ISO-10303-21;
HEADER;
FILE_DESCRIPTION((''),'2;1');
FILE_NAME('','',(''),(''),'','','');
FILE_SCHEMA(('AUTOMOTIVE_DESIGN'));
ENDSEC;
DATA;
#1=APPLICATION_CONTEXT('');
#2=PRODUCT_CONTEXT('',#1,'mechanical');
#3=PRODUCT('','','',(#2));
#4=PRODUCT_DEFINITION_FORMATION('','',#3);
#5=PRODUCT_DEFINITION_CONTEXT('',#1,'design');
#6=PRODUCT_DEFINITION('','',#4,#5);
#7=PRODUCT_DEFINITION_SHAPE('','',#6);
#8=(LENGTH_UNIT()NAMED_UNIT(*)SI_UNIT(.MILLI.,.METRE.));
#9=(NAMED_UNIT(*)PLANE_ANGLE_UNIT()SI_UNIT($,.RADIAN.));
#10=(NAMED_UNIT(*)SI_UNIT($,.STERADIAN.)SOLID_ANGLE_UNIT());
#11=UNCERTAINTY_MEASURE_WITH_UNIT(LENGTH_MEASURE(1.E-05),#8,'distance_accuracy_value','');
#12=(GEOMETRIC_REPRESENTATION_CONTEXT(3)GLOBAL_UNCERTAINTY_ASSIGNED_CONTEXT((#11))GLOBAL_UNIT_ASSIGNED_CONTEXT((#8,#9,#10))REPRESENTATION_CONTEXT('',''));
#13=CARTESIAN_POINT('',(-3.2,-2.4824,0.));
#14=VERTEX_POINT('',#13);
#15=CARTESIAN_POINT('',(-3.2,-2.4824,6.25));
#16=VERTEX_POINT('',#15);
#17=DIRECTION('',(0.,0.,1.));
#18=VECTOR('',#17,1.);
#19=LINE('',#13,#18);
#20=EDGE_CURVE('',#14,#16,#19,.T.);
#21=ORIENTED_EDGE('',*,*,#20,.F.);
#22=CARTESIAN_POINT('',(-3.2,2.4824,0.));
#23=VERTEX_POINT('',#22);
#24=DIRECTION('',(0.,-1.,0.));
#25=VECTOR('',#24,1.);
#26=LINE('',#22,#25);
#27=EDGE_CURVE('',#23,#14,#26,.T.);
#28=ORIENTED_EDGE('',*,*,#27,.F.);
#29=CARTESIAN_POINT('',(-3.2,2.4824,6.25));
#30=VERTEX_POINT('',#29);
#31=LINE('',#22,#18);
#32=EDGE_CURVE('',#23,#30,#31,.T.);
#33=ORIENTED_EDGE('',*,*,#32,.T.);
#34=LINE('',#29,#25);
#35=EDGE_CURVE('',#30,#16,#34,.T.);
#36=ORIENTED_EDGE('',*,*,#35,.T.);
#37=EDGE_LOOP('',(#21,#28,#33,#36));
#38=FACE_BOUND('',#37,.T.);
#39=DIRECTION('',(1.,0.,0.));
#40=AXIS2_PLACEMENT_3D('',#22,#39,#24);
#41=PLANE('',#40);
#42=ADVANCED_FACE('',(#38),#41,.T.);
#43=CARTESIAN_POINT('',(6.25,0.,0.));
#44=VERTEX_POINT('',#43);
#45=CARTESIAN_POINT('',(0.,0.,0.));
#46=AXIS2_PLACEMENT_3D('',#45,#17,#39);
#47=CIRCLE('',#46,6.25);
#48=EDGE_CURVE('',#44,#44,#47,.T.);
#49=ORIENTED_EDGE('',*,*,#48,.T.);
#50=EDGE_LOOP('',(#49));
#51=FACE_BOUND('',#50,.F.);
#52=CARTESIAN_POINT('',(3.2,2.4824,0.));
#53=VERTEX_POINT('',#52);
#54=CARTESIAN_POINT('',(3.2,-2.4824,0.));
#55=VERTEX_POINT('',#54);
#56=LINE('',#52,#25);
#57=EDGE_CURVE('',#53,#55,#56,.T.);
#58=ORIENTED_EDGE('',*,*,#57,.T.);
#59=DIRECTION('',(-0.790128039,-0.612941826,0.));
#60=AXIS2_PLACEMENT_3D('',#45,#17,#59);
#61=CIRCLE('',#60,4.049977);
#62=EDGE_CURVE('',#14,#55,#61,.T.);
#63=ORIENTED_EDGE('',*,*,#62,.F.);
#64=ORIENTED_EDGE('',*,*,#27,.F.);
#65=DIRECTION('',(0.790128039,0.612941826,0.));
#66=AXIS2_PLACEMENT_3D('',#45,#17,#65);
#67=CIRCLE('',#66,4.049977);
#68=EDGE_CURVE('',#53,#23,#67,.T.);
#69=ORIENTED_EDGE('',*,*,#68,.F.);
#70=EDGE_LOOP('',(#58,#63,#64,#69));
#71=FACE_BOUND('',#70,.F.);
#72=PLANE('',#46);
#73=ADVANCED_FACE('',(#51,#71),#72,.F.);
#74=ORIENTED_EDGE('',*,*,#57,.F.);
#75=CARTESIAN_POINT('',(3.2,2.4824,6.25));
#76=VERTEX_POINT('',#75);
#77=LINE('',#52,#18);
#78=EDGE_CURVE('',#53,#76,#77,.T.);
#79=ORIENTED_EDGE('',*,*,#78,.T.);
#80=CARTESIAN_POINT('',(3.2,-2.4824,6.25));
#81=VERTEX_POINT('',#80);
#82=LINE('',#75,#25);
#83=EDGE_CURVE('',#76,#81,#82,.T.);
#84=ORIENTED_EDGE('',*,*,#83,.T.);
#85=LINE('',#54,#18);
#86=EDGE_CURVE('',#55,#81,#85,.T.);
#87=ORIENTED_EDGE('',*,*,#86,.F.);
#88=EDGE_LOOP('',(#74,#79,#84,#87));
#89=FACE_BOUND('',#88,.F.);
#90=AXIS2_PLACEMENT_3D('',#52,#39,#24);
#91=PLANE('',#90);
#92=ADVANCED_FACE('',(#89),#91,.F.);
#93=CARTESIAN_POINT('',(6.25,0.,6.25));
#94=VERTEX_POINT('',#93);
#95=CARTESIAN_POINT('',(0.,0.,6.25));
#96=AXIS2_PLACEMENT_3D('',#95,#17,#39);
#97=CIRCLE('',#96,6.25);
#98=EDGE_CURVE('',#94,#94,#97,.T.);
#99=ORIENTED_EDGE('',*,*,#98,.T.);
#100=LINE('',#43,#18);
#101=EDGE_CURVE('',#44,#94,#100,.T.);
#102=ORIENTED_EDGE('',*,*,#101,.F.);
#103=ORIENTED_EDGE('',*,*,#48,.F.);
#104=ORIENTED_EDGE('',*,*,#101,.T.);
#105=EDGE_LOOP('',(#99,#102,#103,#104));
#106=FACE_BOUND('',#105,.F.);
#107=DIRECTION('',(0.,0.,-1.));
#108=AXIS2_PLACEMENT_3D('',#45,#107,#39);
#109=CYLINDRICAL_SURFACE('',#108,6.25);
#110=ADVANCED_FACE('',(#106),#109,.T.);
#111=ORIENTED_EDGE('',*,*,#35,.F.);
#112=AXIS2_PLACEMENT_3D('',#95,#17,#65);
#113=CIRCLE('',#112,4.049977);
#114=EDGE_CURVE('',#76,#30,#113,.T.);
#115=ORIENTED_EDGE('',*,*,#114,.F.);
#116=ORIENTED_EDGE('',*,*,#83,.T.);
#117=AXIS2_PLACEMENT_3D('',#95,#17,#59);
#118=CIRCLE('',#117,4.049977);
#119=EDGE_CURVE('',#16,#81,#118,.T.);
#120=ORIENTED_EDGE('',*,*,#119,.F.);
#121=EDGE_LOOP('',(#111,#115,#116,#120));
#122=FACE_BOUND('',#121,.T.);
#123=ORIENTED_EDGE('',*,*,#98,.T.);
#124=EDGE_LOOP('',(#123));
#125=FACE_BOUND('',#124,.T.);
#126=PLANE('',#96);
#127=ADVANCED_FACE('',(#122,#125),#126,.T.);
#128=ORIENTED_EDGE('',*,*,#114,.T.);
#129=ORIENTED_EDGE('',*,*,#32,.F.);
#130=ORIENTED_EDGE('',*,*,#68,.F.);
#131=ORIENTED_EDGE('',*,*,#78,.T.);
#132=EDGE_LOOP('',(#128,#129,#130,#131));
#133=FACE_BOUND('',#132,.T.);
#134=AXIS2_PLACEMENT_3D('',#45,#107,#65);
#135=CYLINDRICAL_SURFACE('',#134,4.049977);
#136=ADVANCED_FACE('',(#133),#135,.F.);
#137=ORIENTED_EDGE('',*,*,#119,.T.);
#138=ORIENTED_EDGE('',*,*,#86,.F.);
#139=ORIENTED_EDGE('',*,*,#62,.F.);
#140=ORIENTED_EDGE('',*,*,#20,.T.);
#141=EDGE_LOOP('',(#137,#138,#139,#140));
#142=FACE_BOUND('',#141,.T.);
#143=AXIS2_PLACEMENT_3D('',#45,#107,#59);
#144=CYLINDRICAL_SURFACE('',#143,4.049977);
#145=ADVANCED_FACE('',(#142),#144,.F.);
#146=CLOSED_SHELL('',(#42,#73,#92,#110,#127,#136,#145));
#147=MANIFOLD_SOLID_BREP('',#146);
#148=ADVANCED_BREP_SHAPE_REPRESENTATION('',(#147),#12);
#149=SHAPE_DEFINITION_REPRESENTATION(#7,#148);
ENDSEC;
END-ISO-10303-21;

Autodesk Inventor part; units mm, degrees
ref_plane "YZ Plane" through (0, 0, 0) normal (1, 0, 0) x (0, 1, 0)
ref_plane "XZ Plane" through (0, 0, 0) normal (0, 1, 0) x (-1, 0, 0)
ref_plane "XY Plane" through (0, 0, 0) normal (0, 0, 1) x (1, 0, 0)
sketch "Sketch1" plane through (0, 0, 0) normal (0, 0, 1) x (1, 0, 0)
  circle A0 centre (0, 0) radius 6.25
  line L0 (-3.2, 2.4824) -> (-3.2, -2.4824)
  line L1 (3.2, 2.4824) -> (3.2, -2.4824)
  arc A1 (3.2, 2.4824) -> (-3.2, 2.4824) centre (0, 0) ccw
  arc A2 (-3.2, -2.4824) -> (3.2, -2.4824) centre (0, 0) ccw
  dimension "d0" = 12.5
  dimension "d2" = 6.4
  dimension "d3" = 4.05
extrude "Extrusion1" add sketch "Sketch1" along normal blind 6.25
properties part number "308-05" material "Polypropylene"
